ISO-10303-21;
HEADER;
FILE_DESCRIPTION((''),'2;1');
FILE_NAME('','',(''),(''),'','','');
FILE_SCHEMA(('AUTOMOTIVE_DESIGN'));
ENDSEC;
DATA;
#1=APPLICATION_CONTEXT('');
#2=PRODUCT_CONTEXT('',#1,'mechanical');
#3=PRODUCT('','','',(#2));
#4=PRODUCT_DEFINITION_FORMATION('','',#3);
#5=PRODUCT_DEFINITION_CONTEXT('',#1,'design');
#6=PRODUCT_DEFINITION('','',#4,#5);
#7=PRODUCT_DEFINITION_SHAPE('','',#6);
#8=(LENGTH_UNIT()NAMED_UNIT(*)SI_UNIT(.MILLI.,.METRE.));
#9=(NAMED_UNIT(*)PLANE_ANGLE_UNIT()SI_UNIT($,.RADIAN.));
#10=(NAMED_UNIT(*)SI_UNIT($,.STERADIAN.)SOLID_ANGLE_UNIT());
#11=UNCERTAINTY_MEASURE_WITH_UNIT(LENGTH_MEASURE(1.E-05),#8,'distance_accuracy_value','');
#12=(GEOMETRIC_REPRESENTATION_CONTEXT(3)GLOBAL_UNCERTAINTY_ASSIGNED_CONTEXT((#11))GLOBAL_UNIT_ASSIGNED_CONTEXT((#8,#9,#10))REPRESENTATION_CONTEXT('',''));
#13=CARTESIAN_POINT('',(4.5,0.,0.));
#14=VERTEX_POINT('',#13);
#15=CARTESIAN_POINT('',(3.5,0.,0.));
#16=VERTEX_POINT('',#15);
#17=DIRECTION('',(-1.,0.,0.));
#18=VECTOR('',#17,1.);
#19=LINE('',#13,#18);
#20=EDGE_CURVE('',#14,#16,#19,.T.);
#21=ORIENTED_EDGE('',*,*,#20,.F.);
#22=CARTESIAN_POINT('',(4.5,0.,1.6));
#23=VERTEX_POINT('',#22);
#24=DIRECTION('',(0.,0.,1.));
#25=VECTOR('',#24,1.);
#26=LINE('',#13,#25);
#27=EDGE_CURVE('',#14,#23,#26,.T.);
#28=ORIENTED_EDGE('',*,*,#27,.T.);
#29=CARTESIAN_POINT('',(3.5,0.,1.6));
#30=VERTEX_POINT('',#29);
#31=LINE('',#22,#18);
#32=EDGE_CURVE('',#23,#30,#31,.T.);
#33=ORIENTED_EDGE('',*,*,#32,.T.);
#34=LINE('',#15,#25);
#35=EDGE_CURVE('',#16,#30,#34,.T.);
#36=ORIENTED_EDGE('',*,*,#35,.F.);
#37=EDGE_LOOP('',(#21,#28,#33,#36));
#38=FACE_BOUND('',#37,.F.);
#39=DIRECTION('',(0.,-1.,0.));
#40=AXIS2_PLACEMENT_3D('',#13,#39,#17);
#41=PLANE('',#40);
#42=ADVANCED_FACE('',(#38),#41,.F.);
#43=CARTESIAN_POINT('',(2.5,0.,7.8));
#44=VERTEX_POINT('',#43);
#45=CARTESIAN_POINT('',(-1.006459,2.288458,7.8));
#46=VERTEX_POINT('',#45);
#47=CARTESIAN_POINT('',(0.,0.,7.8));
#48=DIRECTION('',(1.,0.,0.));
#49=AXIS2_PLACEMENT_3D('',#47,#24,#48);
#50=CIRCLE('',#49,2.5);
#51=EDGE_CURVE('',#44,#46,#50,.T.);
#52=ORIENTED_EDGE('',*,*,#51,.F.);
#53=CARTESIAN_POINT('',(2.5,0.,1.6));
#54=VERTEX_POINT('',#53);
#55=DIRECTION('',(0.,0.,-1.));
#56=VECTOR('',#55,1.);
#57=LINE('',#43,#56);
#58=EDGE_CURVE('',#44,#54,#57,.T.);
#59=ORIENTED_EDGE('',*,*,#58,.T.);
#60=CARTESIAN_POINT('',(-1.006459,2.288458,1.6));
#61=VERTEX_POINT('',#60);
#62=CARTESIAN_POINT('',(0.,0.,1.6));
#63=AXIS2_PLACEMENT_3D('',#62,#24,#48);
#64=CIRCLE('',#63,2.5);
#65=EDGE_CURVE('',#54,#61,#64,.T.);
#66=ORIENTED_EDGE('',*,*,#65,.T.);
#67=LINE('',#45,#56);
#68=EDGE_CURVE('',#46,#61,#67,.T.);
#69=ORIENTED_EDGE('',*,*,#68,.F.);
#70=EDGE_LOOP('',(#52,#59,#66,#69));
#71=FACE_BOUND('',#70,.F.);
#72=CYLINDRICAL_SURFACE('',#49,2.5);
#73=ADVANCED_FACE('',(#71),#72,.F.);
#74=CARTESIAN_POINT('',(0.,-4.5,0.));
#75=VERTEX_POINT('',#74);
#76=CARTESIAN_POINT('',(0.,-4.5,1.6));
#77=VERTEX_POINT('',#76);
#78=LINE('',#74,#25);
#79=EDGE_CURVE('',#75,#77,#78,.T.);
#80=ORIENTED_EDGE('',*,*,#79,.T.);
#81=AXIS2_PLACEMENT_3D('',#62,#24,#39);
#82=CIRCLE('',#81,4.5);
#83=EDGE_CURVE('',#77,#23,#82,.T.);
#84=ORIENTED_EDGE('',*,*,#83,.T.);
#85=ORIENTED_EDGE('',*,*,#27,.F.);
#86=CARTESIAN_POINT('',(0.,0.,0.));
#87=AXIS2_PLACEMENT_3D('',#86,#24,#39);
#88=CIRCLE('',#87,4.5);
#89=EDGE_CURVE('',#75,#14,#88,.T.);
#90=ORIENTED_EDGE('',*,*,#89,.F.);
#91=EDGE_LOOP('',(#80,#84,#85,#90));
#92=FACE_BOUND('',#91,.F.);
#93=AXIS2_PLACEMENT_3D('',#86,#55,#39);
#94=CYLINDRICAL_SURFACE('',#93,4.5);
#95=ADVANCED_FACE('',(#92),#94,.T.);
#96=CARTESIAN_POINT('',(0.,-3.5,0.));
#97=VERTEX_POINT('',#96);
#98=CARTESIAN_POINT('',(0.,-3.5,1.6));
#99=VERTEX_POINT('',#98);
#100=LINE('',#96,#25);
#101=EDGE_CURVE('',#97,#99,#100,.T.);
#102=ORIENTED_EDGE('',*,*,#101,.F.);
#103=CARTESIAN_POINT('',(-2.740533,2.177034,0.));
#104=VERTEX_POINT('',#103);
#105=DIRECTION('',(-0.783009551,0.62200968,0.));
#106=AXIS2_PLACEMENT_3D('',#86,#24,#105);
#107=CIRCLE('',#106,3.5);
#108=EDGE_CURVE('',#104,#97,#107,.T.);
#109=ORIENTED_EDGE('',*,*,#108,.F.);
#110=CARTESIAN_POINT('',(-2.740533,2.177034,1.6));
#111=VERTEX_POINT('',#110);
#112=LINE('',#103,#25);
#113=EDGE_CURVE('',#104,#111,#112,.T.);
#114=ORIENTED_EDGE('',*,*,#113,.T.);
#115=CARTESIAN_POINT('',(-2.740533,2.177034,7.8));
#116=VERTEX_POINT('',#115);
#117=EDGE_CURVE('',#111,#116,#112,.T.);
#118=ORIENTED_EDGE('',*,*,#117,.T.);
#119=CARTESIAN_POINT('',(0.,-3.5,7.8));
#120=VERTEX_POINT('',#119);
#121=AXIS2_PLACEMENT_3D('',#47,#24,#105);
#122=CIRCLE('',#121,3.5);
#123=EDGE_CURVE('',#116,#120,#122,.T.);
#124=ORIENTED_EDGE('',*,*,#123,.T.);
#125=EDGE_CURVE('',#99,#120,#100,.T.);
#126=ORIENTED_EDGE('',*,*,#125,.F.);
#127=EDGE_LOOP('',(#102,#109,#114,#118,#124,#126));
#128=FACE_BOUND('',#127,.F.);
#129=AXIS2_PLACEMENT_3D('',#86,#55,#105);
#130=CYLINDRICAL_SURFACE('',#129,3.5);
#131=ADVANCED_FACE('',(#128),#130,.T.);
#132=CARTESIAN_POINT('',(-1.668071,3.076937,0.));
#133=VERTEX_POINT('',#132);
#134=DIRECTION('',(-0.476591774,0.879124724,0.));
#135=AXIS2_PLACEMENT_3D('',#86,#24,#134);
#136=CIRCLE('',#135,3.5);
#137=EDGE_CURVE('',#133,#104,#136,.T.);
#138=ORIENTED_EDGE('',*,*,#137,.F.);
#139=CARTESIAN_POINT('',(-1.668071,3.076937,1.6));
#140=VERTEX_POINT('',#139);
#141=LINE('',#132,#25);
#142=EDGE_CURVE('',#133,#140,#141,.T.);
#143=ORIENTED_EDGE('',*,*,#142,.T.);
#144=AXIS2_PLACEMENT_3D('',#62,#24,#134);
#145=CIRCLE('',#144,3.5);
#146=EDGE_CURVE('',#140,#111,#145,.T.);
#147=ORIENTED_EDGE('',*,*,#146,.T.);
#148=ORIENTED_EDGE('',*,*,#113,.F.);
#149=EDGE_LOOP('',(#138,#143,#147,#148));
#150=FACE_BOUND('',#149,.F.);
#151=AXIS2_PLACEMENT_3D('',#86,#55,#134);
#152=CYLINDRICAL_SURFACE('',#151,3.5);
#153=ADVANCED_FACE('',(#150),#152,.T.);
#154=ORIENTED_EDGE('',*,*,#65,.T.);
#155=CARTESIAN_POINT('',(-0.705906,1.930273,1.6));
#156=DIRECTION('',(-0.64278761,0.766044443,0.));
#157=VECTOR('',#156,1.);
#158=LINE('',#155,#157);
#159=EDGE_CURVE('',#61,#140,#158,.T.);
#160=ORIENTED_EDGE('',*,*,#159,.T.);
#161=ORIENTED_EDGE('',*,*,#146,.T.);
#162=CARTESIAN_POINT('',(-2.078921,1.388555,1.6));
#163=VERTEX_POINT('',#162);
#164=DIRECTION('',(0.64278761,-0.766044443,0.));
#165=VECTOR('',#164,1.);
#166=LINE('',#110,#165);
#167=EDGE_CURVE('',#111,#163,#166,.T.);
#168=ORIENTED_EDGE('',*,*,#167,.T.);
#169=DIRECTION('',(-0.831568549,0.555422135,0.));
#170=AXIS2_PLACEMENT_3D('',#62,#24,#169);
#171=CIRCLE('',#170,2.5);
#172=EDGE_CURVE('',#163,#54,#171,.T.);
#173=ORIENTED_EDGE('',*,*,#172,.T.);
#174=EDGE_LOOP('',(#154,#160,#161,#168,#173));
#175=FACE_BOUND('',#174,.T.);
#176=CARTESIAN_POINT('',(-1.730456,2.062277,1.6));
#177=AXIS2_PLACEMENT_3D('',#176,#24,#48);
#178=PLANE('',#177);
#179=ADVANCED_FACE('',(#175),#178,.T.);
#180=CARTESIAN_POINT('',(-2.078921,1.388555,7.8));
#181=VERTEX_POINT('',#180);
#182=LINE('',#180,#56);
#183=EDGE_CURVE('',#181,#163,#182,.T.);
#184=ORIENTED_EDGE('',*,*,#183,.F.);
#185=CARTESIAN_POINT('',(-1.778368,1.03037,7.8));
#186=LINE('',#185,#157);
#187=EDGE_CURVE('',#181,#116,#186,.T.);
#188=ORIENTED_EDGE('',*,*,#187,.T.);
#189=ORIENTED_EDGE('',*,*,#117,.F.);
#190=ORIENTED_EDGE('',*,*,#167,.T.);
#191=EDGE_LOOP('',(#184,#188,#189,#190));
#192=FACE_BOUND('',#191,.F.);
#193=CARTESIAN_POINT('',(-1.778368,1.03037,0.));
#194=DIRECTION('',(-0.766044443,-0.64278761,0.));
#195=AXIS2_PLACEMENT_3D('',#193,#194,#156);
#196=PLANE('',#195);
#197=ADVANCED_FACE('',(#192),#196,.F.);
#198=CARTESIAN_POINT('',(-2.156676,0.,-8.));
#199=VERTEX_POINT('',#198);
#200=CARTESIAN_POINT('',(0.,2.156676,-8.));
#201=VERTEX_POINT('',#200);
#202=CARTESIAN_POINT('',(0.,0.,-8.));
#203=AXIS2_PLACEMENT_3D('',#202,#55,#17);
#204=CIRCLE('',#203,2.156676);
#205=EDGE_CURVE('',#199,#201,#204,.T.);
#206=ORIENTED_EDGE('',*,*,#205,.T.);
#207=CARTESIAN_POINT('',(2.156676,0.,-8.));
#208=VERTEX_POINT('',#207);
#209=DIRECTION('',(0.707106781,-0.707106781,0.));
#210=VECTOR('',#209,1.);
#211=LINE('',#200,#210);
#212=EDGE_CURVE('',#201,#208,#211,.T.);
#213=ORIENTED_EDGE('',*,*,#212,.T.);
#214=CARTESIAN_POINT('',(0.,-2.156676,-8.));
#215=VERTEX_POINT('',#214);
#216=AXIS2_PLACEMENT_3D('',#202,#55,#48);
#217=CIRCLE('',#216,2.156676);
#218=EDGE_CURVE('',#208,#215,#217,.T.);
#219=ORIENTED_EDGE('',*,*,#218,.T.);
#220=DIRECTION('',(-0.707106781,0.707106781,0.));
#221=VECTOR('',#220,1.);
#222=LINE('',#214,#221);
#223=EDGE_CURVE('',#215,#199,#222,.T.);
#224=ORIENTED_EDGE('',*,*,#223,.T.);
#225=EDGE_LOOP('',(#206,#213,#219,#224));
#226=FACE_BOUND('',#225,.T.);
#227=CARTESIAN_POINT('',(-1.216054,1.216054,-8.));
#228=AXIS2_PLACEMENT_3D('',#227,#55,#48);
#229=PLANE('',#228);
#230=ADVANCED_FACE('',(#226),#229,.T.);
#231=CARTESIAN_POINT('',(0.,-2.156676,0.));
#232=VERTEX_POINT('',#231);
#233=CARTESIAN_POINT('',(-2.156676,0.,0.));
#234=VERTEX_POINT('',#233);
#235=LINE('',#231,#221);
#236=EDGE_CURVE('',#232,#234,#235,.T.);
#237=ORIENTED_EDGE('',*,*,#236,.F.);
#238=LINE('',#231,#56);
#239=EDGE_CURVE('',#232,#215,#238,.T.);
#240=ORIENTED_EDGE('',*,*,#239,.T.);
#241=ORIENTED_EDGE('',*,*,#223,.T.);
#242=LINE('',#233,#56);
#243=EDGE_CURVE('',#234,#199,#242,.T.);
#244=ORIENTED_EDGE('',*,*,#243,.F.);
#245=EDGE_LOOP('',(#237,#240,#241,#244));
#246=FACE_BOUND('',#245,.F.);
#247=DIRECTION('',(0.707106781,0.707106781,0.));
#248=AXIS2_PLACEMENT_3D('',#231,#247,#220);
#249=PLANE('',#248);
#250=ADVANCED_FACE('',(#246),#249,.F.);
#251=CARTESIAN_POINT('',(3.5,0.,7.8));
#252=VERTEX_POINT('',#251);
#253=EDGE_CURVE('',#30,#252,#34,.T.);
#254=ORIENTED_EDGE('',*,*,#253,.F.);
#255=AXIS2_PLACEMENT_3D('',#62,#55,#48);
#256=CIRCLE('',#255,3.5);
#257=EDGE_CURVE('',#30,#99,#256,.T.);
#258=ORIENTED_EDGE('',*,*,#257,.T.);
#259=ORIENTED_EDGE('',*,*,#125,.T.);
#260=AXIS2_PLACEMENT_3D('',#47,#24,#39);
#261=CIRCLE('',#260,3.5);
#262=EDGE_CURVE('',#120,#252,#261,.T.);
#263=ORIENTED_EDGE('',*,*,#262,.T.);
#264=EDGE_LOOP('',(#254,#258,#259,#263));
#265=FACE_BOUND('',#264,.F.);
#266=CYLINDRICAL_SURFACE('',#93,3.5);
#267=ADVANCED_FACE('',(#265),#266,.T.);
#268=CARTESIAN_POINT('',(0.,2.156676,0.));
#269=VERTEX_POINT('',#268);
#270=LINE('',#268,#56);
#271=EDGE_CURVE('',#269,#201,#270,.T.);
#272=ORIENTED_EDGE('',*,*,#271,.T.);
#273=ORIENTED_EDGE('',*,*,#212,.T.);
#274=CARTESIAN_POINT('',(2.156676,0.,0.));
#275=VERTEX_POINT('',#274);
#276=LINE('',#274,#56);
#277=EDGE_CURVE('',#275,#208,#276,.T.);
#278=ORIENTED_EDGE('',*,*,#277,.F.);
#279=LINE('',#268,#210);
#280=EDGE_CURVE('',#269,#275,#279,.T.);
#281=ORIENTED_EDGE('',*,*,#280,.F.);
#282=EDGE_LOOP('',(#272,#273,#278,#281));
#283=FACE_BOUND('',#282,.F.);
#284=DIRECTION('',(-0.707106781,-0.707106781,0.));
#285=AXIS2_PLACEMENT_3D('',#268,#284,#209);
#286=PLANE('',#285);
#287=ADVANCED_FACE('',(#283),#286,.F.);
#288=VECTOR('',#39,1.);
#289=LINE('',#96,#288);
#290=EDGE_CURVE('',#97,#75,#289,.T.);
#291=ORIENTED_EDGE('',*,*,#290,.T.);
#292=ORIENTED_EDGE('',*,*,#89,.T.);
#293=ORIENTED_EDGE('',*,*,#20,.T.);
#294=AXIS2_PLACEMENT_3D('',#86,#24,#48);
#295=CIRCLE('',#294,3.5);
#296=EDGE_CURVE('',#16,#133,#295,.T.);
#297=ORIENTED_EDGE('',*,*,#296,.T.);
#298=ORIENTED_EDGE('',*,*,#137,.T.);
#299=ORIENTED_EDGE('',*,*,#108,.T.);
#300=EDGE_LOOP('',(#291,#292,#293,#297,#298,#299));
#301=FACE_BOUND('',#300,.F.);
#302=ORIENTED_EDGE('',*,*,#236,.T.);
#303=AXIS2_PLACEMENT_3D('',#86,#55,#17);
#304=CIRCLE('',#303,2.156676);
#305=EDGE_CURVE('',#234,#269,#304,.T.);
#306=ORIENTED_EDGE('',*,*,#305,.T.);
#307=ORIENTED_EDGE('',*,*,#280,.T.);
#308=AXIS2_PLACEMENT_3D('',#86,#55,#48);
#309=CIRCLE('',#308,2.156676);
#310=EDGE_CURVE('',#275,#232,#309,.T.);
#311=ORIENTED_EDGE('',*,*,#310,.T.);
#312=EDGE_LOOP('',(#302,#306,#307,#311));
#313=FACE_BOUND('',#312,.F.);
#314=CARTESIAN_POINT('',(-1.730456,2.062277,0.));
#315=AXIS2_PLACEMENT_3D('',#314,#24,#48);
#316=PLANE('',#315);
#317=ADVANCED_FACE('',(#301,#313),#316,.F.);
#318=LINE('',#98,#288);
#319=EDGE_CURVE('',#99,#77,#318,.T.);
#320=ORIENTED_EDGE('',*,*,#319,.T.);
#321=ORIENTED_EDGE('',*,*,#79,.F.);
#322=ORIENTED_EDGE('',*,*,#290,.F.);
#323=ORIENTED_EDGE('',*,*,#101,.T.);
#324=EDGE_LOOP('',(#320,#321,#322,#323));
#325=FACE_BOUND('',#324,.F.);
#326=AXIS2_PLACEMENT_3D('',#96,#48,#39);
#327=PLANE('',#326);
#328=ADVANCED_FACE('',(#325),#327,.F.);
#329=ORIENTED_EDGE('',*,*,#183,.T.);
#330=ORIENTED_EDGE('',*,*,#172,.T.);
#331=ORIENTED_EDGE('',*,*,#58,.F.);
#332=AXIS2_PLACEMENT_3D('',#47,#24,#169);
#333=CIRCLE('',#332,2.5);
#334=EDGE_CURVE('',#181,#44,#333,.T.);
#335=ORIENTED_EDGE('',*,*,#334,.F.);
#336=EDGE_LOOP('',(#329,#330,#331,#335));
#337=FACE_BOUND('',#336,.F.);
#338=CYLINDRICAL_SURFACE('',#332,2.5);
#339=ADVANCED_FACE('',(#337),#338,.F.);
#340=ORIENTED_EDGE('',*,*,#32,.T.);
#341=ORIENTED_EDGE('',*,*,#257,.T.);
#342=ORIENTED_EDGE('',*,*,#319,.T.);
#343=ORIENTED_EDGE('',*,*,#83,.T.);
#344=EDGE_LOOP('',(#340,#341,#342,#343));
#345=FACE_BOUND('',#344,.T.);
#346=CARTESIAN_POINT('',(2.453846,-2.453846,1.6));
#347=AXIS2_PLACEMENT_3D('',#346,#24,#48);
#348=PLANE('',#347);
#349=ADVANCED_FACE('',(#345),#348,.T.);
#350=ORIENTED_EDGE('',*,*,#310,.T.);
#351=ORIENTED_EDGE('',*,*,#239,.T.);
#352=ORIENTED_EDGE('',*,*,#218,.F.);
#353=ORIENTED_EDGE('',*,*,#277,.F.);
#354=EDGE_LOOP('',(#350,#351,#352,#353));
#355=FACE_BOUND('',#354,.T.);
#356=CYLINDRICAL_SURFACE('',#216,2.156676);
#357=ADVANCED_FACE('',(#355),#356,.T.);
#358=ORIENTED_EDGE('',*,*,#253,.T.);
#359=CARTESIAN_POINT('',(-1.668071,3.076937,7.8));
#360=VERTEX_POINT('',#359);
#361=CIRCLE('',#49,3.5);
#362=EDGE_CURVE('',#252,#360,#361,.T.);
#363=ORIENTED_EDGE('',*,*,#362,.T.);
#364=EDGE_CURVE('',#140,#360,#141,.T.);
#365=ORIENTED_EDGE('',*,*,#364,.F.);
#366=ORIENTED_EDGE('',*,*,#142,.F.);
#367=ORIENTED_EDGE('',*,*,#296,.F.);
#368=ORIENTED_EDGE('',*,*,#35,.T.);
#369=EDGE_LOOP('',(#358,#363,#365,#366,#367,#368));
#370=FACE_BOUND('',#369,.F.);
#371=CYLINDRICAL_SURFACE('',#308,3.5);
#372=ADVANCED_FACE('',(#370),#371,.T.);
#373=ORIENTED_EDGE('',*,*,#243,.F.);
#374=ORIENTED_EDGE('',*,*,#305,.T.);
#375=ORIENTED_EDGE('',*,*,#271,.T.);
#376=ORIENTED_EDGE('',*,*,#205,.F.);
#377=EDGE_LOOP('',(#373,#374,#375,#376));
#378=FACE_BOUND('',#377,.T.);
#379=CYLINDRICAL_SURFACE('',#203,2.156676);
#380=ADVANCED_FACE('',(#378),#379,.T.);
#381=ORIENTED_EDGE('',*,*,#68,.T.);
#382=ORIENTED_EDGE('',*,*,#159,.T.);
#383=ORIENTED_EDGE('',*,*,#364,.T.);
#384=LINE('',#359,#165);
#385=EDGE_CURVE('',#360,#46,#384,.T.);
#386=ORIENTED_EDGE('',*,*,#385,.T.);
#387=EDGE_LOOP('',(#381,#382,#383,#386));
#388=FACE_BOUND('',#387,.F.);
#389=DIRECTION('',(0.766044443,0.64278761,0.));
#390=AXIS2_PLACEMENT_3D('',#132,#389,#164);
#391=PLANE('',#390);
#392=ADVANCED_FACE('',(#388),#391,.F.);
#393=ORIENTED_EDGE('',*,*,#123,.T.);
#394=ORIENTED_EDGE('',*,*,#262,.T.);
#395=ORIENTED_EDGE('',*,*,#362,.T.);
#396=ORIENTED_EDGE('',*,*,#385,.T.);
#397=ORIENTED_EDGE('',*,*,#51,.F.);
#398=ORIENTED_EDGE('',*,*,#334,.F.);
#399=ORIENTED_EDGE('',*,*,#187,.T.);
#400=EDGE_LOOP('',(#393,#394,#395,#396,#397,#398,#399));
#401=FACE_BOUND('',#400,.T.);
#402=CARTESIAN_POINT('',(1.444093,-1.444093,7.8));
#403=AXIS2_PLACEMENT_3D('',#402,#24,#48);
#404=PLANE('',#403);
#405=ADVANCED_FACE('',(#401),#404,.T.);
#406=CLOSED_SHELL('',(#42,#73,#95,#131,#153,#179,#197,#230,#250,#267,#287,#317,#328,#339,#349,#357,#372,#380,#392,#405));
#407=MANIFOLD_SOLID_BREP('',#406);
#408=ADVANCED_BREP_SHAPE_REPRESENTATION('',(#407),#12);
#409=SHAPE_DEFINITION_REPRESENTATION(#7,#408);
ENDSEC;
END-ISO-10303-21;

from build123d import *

# Parameters (mm, degrees)
F1_DEPTH = 7.8
F3_DEPTH = 6.2
F4_DEPTH = 1.6
F6_DEPTH = 8
F8_DEPTH = 8.7


with BuildPart() as f1:
    # F0 (on Top) → F1 (new body)
    with BuildSketch(Plane.XY):
        with BuildLine():
            ThreePointArc((0, -3.5), (2.4748737342, -2.4748737342), (3.5, 0))
            Line((3.5, 0), (0, 0))
            Line((0, 0), (0, -3.5))
        make_face()
        with BuildLine():
            Line((0, 0), (3.5, 0))
            ThreePointArc((3.5, 0), (1.7904958486, 3.0073451109), (-1.6680712092, 3.0769365351))
            Line((-1.6680712092, 3.0769365351), (-0.7059061386, 1.9302728555))
            Line((-0.7059061386, 1.9302728555), (-1.2421372488, 1.4803215287))
            Line((-1.2421372488, 1.4803215287), (-1.778368359, 1.030370202))
            Line((-1.778368359, 1.030370202), (-2.7405334296, 2.1770338815))
            ThreePointArc((-2.7405334296, 2.1770338815), (-3.1519532504, -1.5215750745), (0, -3.5))
            Line((0, -3.5), (0, 0))
        make_face()
    extrude(amount=F1_DEPTH)

    # F2 (on face) → F3 (cut)
    with BuildSketch(Plane.XY.offset(7.8)):
        with BuildLine():
            ThreePointArc((-2.0789213734, 1.3885553367), (-0.7254986445, -2.3924154566), (2.5, 0))
            ThreePointArc((2.5, 0), (1.3663550266, 2.0935792178), (-1.0064591531, 2.2884579903))
            Line((-1.0064591531, 2.2884579903), (-0.7059061386, 1.9302728555))
            Line((-0.7059061386, 1.9302728555), (-1.778368359, 1.030370202))
            Line((-1.778368359, 1.030370202), (-2.0789213734, 1.3885553367))
        make_face()
    extrude(amount=-F3_DEPTH, mode=Mode.SUBTRACT)

    # F0 (on Top) → F4 (join)
    with BuildSketch(Plane.XY):
        with BuildLine():
            Line((-0.7059061386, 1.9302728555), (-1.6680712092, 3.0769365351))
            ThreePointArc((-1.6680712092, 3.0769365351), (-2.2497566339, 2.6811555509), (-2.7405334296, 2.1770338815))
            Line((-2.7405334296, 2.1770338815), (-1.778368359, 1.030370202))
            Line((-1.778368359, 1.030370202), (-1.2421372488, 1.4803215287))
            Line((-1.2421372488, 1.4803215287), (-0.7059061386, 1.9302728555))
        make_face()
        with BuildLine():
            Line((4.5, 0), (3.5, 0))
            ThreePointArc((3.5, 0), (2.4748737342, -2.4748737342), (0, -3.5))
            Line((0, -3.5), (0, -4.5))
            ThreePointArc((0, -4.5), (3.1819805153, -3.1819805153), (4.5, 0))
        make_face()
    extrude(amount=F4_DEPTH)

    # F5 (on face) → F6 (join)
    with BuildSketch(Plane(origin=(0, 0, 0), x_dir=(1, 0, 0), z_dir=(0, 0, -1))):
        Polygon((-2.1566756826, 0), (0, -2.1566756826), (2.1566756826, 0), (0, 2.1566756826), align=None)
    extrude(amount=F6_DEPTH)

    # F7 (on face) → F8 (join)
    with BuildSketch(Plane(origin=(0, 0, -8), x_dir=(1, 0, 0), z_dir=(0, 0, -1))):
        with BuildLine():
            Line((0, -2.1566756826), (-2.1566756826, 0))
            ThreePointArc((-2.1566756826, 0), (-1.525, -1.525), (0, -2.1566756826))
        make_face()
        with BuildLine():
            ThreePointArc((2.1566756826, 0), (1.525, 1.525), (0, 2.1566756826))
            Line((0, 2.1566756826), (2.1566756826, 0))
        make_face()
    extrude(amount=-F8_DEPTH)


solid = f1.part
